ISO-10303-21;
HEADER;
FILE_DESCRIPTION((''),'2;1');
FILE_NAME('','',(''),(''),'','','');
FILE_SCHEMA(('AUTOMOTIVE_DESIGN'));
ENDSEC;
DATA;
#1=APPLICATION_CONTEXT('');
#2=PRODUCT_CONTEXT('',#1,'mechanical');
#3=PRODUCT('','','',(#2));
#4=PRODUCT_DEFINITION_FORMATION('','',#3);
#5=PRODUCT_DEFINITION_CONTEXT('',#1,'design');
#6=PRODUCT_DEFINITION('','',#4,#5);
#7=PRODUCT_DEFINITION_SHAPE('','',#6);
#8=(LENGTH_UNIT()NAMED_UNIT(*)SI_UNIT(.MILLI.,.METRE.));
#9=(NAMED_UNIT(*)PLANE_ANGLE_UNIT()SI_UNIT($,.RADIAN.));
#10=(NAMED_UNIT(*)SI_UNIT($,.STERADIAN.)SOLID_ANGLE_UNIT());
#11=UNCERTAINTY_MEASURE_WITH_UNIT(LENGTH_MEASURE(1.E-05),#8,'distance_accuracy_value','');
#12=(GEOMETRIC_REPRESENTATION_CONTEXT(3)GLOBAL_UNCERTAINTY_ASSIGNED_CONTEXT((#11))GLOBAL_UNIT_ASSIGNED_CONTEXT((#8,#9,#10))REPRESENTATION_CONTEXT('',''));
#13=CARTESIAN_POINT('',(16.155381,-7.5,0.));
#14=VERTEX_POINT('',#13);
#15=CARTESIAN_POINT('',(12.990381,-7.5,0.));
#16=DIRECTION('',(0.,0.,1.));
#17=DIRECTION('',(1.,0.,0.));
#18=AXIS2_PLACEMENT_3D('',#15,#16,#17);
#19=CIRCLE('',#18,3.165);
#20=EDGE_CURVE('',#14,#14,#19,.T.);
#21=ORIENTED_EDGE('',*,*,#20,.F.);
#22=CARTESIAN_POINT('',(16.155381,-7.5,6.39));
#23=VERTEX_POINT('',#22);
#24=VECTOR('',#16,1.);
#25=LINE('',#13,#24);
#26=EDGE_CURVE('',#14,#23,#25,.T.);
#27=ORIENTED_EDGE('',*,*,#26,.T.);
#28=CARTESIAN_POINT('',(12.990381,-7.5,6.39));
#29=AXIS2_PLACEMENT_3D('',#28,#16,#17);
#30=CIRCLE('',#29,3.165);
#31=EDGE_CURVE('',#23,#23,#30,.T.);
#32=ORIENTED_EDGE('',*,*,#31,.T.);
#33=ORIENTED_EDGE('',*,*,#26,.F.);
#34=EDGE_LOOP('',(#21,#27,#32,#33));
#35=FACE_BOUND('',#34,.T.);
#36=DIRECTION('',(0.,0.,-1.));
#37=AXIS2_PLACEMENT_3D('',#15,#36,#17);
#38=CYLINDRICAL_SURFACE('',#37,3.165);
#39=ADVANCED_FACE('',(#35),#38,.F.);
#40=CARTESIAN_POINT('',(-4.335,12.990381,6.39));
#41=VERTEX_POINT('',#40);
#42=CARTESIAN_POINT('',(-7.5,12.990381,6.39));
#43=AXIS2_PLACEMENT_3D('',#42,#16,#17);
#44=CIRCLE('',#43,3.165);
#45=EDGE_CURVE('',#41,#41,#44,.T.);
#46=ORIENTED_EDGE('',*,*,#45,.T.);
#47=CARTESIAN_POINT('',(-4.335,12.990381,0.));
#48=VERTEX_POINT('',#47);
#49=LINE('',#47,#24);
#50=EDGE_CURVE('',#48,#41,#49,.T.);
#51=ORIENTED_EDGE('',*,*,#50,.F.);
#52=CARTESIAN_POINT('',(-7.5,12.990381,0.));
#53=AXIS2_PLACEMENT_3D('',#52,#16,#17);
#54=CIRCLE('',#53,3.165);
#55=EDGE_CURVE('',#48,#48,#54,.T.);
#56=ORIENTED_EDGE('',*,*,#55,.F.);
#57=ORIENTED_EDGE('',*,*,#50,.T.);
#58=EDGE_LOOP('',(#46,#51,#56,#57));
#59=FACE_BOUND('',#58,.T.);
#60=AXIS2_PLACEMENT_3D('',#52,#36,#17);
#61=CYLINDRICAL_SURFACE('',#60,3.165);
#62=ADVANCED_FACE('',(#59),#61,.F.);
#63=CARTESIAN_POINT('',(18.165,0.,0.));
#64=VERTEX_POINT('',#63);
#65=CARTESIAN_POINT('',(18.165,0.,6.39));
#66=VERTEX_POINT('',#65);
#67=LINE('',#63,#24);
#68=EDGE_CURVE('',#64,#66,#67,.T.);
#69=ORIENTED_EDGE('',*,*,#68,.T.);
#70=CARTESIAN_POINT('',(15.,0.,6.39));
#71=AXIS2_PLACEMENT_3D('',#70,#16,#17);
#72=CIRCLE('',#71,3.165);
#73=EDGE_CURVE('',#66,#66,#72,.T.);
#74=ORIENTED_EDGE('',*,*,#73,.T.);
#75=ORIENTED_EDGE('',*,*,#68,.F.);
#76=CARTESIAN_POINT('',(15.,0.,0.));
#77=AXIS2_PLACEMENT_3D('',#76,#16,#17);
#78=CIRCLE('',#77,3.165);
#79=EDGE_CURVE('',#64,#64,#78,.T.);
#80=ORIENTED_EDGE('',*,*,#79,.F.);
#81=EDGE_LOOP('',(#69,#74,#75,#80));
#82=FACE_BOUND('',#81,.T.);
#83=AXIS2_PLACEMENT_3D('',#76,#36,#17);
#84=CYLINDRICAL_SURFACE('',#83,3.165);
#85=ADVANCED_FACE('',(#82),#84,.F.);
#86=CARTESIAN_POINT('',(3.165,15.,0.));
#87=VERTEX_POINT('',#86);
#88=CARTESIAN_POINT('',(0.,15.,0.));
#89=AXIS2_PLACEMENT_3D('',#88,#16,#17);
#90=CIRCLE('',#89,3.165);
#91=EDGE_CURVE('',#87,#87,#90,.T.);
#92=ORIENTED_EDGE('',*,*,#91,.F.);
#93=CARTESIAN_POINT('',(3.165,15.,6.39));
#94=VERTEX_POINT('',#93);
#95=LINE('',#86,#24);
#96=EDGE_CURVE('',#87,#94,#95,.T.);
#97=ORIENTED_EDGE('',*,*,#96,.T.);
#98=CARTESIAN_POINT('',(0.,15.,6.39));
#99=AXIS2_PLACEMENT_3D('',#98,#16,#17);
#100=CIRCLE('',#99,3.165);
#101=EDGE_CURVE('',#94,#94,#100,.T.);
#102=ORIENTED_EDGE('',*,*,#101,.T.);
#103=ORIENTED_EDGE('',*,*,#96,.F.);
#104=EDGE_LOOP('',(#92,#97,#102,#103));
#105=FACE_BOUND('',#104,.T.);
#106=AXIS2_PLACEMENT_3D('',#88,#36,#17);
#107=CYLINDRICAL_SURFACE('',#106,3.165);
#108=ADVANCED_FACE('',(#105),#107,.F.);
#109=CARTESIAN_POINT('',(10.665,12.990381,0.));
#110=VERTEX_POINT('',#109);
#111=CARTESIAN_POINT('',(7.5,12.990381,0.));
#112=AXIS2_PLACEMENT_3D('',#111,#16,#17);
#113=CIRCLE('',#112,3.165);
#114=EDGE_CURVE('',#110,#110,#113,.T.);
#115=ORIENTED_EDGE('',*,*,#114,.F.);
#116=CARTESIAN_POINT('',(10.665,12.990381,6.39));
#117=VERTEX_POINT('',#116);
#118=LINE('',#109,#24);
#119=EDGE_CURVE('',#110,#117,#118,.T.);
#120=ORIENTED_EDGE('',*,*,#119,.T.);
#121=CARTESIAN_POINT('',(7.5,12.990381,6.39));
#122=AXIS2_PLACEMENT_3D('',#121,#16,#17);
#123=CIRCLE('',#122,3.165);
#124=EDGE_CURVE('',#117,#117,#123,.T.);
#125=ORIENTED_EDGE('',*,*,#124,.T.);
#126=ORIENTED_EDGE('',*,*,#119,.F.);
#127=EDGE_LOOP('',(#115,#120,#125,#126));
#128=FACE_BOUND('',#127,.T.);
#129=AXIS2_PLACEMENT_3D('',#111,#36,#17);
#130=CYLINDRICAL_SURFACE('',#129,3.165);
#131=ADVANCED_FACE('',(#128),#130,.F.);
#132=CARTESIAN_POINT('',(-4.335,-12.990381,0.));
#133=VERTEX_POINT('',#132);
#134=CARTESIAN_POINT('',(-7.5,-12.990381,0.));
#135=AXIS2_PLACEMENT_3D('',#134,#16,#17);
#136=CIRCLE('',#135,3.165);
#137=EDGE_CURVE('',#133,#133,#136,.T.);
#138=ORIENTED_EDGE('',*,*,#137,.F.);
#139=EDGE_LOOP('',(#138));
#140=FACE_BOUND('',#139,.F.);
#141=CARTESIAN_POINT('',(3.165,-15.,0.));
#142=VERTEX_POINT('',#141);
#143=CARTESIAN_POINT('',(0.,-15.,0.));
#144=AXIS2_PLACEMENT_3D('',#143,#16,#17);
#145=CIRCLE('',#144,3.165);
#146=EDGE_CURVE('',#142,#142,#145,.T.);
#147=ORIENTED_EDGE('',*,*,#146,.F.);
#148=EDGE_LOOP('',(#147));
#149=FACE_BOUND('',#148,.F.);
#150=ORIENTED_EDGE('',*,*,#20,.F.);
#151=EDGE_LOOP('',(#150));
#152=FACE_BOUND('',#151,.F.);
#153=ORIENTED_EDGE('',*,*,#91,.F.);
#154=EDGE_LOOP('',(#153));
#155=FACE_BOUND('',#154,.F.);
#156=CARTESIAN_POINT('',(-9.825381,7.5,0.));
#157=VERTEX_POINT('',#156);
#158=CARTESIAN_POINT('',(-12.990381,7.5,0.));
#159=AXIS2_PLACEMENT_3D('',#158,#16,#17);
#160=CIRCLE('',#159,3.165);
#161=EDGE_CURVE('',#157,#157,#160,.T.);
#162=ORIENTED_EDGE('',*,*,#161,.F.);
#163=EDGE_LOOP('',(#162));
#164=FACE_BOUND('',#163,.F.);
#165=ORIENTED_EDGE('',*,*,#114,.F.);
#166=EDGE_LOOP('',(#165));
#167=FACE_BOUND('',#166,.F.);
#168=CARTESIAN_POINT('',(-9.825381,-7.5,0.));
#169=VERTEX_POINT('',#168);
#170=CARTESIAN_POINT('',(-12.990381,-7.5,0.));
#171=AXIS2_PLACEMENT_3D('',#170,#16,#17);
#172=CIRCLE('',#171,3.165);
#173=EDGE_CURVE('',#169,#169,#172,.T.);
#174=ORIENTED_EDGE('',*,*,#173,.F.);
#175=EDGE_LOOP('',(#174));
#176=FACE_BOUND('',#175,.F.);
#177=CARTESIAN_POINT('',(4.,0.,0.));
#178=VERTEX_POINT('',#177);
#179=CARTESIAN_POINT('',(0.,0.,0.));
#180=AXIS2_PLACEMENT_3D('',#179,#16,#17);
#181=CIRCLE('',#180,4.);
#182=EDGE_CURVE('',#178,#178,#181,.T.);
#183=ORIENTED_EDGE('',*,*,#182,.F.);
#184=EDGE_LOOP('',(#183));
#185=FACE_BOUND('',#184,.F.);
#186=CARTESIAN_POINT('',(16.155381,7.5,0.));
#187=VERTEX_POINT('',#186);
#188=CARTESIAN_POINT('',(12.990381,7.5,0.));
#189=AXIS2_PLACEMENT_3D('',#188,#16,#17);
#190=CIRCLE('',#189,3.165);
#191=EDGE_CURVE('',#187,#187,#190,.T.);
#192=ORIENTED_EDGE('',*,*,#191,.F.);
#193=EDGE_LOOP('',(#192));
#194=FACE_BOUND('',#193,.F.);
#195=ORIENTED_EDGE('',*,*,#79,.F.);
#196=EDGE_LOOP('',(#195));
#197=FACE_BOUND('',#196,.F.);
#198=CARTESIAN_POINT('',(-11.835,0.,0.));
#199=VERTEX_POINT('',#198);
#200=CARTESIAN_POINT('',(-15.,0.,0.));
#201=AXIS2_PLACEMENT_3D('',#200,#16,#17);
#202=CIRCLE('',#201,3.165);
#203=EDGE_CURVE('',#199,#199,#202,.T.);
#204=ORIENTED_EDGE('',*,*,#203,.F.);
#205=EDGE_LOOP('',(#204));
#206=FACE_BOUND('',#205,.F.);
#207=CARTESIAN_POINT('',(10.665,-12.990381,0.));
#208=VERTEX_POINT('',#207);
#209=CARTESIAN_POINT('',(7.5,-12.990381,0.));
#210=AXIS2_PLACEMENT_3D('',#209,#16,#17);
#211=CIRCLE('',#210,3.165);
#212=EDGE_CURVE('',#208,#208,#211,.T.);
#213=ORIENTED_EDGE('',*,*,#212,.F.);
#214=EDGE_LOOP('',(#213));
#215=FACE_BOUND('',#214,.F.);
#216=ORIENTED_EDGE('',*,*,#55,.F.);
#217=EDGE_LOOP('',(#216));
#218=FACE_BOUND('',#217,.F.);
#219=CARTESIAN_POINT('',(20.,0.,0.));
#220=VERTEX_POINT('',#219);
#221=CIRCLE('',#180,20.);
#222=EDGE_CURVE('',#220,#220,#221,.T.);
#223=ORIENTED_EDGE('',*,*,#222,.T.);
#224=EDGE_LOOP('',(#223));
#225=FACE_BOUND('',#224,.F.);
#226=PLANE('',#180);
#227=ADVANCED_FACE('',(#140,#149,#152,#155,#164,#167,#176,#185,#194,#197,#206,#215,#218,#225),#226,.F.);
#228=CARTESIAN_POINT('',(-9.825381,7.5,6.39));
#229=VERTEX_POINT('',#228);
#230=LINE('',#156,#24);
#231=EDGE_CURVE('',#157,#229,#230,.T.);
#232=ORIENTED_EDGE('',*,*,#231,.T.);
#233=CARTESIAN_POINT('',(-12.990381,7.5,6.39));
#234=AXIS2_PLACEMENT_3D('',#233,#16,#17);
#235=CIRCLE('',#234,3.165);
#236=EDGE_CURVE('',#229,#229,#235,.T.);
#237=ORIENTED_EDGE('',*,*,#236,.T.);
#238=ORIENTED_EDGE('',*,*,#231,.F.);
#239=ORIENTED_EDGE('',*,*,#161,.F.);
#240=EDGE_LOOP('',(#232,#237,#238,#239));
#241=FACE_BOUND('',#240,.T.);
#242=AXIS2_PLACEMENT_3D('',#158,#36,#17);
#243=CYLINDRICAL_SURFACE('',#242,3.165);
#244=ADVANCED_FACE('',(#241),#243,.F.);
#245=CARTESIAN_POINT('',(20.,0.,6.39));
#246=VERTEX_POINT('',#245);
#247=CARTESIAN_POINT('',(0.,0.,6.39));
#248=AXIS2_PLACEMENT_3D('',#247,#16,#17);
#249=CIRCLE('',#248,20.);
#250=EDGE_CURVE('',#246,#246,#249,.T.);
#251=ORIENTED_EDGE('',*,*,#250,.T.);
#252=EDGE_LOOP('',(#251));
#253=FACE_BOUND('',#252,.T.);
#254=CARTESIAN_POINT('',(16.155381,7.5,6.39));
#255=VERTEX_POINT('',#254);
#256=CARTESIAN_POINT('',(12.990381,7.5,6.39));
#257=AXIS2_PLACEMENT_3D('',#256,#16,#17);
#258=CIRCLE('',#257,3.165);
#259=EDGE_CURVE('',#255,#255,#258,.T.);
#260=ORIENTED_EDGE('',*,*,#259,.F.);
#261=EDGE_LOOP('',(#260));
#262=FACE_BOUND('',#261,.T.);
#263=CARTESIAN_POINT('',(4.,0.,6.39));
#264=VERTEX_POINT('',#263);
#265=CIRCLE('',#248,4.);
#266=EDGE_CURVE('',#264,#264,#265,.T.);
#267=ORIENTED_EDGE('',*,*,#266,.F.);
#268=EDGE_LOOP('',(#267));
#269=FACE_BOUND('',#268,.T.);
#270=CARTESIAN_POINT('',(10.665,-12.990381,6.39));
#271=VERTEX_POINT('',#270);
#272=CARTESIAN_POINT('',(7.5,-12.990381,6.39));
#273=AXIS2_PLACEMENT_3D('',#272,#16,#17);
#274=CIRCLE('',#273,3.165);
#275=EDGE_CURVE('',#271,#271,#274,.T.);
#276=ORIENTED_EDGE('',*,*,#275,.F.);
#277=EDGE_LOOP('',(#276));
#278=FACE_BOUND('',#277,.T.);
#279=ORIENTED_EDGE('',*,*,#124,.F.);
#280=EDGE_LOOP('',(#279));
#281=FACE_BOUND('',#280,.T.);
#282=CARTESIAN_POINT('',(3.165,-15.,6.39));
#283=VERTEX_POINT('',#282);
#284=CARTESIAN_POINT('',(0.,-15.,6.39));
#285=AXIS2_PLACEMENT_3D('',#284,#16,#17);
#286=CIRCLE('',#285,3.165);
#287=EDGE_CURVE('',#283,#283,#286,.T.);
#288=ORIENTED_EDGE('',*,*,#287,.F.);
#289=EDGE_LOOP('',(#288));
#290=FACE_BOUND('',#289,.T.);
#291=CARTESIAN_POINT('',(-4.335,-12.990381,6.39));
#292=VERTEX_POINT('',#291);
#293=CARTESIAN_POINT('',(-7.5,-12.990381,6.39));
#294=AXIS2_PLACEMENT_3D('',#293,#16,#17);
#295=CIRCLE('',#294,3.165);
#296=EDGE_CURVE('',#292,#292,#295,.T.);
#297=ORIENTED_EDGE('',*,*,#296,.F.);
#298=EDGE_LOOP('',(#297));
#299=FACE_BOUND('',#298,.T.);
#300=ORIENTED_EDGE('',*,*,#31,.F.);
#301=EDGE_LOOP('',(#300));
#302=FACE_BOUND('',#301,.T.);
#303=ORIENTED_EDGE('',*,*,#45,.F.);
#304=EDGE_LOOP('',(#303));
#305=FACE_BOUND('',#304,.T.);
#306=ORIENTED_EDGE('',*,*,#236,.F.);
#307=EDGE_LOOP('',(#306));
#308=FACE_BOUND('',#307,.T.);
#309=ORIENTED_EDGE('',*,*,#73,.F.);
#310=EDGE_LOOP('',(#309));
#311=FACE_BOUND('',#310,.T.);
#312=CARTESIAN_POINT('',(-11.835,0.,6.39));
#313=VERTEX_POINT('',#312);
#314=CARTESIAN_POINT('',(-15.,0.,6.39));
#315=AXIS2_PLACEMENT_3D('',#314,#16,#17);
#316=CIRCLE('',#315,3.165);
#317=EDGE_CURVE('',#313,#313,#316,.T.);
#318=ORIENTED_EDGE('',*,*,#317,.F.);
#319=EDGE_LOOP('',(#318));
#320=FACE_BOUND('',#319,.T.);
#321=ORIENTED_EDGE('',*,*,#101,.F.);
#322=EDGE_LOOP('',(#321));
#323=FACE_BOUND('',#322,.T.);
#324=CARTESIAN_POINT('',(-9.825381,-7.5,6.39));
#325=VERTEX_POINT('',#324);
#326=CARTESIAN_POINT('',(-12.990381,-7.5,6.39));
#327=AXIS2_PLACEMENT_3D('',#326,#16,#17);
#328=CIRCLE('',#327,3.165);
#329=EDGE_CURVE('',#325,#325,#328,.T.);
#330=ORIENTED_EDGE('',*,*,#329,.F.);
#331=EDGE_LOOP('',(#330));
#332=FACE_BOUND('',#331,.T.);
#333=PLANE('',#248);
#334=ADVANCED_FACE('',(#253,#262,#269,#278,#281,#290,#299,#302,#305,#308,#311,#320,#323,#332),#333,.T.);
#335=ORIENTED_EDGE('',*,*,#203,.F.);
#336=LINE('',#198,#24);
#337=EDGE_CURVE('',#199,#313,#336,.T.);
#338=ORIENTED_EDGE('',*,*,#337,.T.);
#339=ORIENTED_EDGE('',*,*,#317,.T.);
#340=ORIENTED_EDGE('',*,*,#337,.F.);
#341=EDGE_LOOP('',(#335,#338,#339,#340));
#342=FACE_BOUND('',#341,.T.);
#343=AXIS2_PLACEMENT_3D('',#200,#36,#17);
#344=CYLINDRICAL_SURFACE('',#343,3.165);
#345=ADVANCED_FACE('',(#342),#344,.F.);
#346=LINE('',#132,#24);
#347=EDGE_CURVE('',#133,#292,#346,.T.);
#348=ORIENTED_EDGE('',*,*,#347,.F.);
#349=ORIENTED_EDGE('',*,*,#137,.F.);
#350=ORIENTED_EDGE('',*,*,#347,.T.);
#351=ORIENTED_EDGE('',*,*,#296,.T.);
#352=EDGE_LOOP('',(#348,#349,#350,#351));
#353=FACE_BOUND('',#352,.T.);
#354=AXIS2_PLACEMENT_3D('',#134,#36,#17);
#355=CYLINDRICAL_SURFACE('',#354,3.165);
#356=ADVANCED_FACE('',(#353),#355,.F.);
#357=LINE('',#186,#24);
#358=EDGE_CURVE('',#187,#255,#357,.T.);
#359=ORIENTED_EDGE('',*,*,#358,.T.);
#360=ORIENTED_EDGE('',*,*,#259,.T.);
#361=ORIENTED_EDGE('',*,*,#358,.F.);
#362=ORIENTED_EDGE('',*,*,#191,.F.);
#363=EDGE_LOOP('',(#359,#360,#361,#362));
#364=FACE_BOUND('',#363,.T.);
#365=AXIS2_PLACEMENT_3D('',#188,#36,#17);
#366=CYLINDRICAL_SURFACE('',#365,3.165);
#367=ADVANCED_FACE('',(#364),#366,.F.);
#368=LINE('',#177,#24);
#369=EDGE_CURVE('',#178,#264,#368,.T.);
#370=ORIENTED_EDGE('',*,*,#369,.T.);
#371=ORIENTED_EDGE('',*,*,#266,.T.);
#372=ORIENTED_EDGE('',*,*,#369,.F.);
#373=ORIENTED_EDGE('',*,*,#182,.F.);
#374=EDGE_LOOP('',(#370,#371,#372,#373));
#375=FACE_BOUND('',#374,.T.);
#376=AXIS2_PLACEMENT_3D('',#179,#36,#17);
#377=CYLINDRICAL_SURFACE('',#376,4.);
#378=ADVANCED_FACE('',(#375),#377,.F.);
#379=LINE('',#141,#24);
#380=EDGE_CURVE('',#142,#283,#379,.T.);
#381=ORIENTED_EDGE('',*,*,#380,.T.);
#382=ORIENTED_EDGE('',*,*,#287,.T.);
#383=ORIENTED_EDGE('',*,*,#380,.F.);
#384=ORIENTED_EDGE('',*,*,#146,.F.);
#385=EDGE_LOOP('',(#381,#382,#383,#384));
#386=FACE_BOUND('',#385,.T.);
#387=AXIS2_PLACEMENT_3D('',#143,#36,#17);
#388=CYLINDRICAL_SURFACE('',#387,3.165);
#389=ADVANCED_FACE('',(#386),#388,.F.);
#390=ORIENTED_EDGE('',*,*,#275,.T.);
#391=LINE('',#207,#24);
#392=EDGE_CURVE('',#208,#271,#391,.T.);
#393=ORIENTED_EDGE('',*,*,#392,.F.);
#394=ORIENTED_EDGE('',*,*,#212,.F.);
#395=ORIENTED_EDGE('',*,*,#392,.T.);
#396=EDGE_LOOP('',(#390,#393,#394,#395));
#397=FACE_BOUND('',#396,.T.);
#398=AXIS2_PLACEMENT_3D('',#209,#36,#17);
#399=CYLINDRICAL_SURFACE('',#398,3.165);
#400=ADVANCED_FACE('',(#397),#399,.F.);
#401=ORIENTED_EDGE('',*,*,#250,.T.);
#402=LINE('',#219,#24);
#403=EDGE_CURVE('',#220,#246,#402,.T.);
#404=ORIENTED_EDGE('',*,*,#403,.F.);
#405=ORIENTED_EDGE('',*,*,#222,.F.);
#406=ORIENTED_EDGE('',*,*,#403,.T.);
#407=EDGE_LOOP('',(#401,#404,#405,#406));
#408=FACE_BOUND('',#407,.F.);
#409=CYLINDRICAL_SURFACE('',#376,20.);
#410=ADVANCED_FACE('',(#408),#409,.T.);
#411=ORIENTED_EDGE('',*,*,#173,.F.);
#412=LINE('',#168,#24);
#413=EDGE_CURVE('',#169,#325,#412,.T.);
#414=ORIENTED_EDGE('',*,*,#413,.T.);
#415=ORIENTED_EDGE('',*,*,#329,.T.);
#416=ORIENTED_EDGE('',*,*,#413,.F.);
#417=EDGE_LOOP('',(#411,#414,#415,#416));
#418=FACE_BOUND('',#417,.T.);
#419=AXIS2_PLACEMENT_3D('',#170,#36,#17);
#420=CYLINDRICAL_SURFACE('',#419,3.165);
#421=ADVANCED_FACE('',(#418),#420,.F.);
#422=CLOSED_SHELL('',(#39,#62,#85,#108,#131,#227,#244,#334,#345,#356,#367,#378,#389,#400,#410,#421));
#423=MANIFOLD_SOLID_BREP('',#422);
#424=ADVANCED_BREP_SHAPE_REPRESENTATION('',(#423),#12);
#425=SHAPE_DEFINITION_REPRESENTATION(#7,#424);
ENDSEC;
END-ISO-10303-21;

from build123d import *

# Parameters (mm, degrees)
F0_R     = 20
F0_R_2   = 3.165
F0_R_3   = 4
F1_DEPTH = 6.39


with BuildPart() as f1:
    # F0 (on Top) → F1 (new body)
    with BuildSketch(Plane.XY):
        Circle(F0_R)
        with Locations((-7.5, -12.990381)):
            Circle(F0_R_2, mode=Mode.SUBTRACT)
        with Locations((-12.990381, -7.5)):
            Circle(F0_R_2, mode=Mode.SUBTRACT)
        with Locations((0, -15)):
            Circle(F0_R_2, mode=Mode.SUBTRACT)
        with Locations((7.5, -12.990381)):
            Circle(F0_R_2, mode=Mode.SUBTRACT)
        with Locations((12.990381, -7.5)):
            Circle(F0_R_2, mode=Mode.SUBTRACT)
        with Locations((-15, 0)):
            Circle(F0_R_2, mode=Mode.SUBTRACT)
        with Locations((-12.990381, 7.5)):
            Circle(F0_R_2, mode=Mode.SUBTRACT)
        with Locations((-7.5, 12.990381)):
            Circle(F0_R_2, mode=Mode.SUBTRACT)
        Circle(F0_R_3, mode=Mode.SUBTRACT)
        with Locations((15, 0)):
            Circle(F0_R_2, mode=Mode.SUBTRACT)
        with Locations((12.990381, 7.5)):
            Circle(F0_R_2, mode=Mode.SUBTRACT)
        with Locations((7.5, 12.990381)):
            Circle(F0_R_2, mode=Mode.SUBTRACT)
        with Locations((0, 15)):
            Circle(F0_R_2, mode=Mode.SUBTRACT)
    extrude(amount=F1_DEPTH)


solid = f1.part
